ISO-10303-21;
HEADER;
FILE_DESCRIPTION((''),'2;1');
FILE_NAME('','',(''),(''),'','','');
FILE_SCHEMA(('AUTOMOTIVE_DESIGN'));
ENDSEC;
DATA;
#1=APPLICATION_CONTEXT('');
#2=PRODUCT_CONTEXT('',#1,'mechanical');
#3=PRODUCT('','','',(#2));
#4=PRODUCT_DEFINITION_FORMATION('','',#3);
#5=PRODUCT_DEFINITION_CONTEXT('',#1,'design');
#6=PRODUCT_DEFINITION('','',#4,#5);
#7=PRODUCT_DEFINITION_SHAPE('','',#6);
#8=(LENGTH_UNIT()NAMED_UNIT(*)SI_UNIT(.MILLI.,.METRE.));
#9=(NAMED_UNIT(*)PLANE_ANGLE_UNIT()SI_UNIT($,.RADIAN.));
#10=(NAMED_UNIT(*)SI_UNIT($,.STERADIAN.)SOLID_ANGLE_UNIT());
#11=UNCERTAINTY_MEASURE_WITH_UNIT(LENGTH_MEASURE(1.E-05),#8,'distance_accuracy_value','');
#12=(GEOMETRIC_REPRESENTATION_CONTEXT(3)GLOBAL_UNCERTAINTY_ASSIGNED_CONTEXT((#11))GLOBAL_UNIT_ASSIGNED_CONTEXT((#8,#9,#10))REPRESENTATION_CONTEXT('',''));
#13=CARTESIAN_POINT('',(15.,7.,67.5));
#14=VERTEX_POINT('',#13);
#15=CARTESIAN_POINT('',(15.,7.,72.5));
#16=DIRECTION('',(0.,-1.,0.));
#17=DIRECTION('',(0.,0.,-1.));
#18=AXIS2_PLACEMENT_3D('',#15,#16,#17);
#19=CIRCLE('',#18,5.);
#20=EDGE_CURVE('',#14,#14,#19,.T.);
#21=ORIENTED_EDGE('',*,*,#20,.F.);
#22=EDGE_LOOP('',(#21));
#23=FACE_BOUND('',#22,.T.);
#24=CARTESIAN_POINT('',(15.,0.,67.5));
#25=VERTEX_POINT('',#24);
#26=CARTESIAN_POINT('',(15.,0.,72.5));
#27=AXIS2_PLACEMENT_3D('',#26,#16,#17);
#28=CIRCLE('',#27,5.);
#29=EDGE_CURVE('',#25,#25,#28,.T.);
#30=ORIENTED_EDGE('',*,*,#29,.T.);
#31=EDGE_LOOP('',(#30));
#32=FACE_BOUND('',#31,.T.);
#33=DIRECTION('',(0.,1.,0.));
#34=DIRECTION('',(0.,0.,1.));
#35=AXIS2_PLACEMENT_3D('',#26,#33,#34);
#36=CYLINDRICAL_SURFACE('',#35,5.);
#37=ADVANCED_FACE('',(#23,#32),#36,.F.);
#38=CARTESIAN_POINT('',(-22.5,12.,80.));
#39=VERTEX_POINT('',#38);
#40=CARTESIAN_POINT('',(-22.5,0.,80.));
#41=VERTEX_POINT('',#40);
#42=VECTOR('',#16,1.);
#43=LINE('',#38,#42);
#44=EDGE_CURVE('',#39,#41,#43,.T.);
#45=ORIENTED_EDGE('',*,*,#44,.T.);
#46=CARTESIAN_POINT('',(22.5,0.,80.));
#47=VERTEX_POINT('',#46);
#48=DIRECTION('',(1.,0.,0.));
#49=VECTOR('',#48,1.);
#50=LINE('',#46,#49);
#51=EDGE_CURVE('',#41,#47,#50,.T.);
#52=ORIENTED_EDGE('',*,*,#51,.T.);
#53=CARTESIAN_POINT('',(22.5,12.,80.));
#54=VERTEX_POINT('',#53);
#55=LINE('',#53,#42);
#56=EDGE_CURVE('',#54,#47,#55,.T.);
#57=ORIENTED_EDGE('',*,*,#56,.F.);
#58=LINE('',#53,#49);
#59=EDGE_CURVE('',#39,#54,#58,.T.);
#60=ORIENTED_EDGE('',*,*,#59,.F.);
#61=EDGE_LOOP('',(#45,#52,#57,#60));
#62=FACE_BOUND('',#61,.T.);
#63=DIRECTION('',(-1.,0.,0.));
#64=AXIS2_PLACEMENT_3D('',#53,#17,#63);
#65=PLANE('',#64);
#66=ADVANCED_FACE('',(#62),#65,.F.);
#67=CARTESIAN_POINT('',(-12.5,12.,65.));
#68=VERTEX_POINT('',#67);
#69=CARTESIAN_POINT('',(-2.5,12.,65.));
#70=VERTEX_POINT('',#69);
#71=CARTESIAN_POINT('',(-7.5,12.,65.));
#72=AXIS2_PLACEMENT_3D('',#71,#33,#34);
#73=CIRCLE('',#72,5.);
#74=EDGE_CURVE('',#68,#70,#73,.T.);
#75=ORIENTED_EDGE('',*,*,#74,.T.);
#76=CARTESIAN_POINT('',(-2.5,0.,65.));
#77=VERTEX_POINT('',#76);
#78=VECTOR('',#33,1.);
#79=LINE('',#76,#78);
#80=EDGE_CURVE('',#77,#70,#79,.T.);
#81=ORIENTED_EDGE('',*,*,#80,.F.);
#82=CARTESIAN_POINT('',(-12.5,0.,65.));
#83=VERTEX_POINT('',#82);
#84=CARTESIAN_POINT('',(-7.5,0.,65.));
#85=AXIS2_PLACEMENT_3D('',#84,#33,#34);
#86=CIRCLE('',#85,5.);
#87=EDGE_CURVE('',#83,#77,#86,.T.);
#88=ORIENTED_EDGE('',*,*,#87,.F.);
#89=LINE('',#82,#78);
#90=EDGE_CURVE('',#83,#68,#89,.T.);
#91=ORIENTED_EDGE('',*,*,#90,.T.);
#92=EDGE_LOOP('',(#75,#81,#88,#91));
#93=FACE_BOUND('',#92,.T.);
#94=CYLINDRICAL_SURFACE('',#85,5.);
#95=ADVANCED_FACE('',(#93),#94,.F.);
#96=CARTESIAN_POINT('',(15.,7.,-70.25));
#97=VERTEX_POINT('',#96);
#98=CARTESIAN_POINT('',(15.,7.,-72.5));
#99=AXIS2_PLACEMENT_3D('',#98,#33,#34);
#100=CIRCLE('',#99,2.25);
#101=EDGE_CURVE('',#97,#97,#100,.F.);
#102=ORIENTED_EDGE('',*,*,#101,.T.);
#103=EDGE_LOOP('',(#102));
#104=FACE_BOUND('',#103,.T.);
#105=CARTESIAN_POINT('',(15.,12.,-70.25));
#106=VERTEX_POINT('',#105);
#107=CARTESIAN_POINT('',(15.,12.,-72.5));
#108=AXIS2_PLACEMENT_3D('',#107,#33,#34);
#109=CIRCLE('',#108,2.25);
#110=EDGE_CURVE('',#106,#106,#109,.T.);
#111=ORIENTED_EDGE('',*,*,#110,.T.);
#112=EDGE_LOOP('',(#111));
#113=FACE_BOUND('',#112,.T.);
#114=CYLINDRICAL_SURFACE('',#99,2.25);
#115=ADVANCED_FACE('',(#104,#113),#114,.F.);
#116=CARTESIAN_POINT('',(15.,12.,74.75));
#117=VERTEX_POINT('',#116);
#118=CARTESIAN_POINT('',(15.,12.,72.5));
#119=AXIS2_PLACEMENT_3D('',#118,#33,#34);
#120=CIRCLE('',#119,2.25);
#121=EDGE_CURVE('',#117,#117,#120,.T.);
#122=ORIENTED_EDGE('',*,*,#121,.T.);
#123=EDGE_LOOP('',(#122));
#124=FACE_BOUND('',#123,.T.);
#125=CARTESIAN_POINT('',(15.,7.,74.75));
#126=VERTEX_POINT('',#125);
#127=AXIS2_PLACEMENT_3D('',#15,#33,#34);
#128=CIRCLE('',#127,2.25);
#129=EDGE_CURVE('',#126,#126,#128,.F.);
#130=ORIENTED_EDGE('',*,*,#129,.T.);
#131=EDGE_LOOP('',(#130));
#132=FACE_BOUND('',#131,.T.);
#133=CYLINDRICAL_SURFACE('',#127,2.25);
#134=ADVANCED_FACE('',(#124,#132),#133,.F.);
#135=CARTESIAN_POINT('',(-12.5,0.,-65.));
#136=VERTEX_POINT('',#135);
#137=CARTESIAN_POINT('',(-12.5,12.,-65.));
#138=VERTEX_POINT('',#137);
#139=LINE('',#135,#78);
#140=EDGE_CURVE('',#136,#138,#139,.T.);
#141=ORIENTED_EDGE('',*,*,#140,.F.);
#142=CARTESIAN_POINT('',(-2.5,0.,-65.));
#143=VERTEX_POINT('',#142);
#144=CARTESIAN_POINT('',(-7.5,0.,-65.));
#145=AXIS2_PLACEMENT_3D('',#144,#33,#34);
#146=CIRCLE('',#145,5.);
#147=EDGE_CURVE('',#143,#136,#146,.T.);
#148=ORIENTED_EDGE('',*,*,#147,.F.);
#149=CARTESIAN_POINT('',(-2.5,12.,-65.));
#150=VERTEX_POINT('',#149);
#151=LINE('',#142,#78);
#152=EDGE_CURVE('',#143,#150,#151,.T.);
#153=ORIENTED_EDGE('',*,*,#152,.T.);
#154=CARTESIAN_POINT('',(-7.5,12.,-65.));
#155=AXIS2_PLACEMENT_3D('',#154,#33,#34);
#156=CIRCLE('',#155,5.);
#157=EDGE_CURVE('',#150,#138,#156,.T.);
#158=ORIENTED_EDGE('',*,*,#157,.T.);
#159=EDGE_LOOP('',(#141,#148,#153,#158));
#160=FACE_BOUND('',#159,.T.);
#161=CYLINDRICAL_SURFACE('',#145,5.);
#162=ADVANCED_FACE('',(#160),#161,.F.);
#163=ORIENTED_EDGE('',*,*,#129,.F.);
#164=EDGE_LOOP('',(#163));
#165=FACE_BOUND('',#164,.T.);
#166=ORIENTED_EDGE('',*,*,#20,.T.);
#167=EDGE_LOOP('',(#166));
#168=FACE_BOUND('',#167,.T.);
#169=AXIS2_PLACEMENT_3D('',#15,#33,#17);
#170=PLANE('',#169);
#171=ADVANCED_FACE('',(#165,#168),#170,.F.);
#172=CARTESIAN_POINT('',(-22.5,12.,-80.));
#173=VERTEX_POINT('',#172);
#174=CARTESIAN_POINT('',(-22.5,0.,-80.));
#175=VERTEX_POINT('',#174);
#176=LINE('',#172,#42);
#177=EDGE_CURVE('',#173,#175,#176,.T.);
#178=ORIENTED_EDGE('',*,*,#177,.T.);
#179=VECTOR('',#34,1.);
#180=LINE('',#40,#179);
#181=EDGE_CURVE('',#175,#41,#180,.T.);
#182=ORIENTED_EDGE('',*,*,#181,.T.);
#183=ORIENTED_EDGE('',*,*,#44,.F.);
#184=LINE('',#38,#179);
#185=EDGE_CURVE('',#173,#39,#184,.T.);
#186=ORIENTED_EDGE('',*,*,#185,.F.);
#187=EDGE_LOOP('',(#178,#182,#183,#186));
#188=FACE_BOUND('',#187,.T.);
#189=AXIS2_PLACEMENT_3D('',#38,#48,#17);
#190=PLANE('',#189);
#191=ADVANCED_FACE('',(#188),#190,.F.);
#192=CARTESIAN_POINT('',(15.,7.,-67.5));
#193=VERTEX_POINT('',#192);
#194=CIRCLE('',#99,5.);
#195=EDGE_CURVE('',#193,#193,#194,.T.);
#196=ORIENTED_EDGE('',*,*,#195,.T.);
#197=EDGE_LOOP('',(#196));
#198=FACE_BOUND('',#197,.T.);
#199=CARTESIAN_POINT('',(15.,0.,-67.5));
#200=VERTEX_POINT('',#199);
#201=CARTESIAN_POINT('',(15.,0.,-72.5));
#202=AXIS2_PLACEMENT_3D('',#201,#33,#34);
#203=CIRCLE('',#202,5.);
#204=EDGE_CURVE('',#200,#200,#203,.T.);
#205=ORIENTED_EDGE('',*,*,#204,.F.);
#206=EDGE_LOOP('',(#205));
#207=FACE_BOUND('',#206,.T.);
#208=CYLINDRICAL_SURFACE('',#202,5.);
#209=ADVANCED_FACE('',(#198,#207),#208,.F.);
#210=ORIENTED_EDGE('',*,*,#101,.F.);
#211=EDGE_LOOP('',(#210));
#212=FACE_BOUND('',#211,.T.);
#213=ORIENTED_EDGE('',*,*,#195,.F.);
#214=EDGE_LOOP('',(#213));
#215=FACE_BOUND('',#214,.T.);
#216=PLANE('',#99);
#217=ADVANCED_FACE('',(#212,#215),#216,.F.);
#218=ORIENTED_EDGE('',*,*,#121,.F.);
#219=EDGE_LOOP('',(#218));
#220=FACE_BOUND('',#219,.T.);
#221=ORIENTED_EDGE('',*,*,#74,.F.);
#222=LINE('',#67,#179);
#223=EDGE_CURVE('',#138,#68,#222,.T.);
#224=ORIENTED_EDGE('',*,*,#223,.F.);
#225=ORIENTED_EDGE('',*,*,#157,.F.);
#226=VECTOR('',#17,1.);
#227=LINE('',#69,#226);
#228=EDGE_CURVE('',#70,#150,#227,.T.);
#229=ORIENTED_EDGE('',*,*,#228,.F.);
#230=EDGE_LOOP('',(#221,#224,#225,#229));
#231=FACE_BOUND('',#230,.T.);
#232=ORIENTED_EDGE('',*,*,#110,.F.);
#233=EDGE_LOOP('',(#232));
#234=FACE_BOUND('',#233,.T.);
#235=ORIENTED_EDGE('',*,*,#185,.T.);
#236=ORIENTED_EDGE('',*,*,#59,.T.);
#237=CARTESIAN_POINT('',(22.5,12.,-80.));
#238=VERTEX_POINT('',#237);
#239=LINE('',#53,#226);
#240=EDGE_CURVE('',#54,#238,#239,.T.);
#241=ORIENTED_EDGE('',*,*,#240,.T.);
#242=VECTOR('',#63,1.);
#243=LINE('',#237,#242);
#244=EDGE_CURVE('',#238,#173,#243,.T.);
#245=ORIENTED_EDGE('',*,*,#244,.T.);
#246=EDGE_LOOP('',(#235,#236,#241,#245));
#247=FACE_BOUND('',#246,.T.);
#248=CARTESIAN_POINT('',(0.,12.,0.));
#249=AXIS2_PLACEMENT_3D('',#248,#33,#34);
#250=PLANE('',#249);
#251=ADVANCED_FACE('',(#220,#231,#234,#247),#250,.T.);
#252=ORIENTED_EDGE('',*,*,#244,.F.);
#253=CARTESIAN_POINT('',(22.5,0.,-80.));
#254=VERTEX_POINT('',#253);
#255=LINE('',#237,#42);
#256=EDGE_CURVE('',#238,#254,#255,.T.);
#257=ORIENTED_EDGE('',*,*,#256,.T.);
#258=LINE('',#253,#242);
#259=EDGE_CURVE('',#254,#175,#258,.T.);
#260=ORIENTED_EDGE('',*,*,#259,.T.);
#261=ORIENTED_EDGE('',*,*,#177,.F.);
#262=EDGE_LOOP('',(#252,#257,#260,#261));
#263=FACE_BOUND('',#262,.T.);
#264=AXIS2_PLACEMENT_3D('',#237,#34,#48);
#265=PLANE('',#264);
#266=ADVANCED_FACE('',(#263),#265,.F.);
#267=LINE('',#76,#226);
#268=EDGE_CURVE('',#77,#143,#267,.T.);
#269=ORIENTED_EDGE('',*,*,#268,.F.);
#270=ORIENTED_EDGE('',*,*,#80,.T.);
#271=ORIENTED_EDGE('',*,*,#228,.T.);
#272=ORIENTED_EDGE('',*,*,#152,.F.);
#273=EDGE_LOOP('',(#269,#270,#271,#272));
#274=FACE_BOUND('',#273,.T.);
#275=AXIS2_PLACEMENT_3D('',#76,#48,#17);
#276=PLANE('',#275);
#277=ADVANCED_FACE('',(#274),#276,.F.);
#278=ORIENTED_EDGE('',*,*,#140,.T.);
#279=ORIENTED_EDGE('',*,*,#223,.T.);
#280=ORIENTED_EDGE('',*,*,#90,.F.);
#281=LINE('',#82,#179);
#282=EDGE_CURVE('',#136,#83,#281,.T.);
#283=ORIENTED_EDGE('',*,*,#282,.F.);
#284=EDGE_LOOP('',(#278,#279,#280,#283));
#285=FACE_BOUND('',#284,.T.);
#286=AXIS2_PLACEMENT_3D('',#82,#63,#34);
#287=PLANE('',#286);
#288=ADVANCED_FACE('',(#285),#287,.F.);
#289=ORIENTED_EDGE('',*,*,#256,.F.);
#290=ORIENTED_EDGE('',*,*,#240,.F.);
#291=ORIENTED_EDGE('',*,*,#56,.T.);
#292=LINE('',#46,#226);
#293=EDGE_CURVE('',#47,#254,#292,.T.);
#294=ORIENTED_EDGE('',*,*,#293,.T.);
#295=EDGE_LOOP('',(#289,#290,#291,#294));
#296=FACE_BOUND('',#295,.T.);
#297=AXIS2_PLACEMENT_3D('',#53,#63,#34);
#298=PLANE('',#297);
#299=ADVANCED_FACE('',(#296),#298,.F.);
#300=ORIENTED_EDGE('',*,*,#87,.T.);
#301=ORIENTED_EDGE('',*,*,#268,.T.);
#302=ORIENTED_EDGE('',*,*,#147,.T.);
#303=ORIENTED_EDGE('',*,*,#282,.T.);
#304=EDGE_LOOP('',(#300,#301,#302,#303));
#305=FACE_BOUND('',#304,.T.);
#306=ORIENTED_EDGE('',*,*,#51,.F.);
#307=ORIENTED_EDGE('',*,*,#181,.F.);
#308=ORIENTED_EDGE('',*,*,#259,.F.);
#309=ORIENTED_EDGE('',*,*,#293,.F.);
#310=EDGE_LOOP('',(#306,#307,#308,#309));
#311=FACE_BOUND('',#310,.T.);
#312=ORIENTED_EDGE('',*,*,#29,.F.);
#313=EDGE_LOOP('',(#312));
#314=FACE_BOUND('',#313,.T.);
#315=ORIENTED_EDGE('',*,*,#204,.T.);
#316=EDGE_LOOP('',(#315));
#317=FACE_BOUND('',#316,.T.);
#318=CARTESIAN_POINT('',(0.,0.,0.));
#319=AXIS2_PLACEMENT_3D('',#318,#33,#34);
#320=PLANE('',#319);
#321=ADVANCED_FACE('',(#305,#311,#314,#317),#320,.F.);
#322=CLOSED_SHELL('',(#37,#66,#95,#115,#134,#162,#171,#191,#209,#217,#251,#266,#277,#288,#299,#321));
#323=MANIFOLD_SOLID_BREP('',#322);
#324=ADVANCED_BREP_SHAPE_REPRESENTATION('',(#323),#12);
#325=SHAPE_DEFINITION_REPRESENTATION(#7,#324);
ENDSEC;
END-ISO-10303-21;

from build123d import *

# Parameters (mm, degrees)
SKETCH2_W           = 45
SKETCH2_H           = 160
BOSS_EXTRUDE3_DEPTH = 12
SKETCH3_R           = 2.25
CUT_EXTRUDE3_DEPTH  = 5
SKETCH5_R           = 5
CUT_EXTRUDE5_DEPTH  = 7
CUT_EXTRUDE6_DEPTH  = 84.965766834


with BuildPart() as part:
    # Sketch2 → Boss-Extrude3 (new body)
    with BuildSketch(Plane(origin=(0, 0, 0), x_dir=(1, 0, 0), z_dir=(0, 1, 0))):
        Rectangle(SKETCH2_W, SKETCH2_H)
    extrude(amount=BOSS_EXTRUDE3_DEPTH)

    # Sketch3 → Cut-Extrude3 (cut)
    with BuildSketch(Plane(origin=(0, 12, 0), x_dir=(1, 0, 0), z_dir=(0, 1, 0))):
        with Locations(Location((15, 72.5, 0), (0, 0, 270))):
            Circle(SKETCH3_R)
        with Locations(Location((15, -72.5, 0), (0, 0, 270))):
            Circle(SKETCH3_R)
    cut_extrude3 = extrude(amount=-CUT_EXTRUDE3_DEPTH, mode=Mode.SUBTRACT)

    # Sketch5 → Cut-Extrude5 (cut)
    with BuildSketch(Plane(origin=(0, 7, 0), x_dir=(1, 0, 0), z_dir=(0, 1, 0))):
        with Locations(Location((15, 72.5, 0), (0, 0, 270))):
            Circle(SKETCH5_R)
    cut_extrude5 = extrude(amount=-CUT_EXTRUDE5_DEPTH, mode=Mode.SUBTRACT)

    # Mirror1: Cut-Extrude3, Cut-Extrude5 across plane
    add(cut_extrude3.mirror(Plane.XY), mode=Mode.SUBTRACT)
    add(cut_extrude5.mirror(Plane.XY), mode=Mode.SUBTRACT)

    # Sketch6 → Cut-Extrude6 (cut, through all)
    with BuildSketch(Plane(origin=(0, 12, 0), x_dir=(1, 0, 0), z_dir=(0, 1, 0))):
        with BuildLine():
            Line((-12.5, -65), (-12.5, 65))
            ThreePointArc((-12.5, 65), (-7.5, 70), (-2.5, 65))
            Line((-2.5, 65), (-2.5, -65))
            ThreePointArc((-2.5, -65), (-7.5, -70), (-12.5, -65))
        make_face()
    extrude(amount=-CUT_EXTRUDE6_DEPTH, mode=Mode.SUBTRACT)


solid = part.part
